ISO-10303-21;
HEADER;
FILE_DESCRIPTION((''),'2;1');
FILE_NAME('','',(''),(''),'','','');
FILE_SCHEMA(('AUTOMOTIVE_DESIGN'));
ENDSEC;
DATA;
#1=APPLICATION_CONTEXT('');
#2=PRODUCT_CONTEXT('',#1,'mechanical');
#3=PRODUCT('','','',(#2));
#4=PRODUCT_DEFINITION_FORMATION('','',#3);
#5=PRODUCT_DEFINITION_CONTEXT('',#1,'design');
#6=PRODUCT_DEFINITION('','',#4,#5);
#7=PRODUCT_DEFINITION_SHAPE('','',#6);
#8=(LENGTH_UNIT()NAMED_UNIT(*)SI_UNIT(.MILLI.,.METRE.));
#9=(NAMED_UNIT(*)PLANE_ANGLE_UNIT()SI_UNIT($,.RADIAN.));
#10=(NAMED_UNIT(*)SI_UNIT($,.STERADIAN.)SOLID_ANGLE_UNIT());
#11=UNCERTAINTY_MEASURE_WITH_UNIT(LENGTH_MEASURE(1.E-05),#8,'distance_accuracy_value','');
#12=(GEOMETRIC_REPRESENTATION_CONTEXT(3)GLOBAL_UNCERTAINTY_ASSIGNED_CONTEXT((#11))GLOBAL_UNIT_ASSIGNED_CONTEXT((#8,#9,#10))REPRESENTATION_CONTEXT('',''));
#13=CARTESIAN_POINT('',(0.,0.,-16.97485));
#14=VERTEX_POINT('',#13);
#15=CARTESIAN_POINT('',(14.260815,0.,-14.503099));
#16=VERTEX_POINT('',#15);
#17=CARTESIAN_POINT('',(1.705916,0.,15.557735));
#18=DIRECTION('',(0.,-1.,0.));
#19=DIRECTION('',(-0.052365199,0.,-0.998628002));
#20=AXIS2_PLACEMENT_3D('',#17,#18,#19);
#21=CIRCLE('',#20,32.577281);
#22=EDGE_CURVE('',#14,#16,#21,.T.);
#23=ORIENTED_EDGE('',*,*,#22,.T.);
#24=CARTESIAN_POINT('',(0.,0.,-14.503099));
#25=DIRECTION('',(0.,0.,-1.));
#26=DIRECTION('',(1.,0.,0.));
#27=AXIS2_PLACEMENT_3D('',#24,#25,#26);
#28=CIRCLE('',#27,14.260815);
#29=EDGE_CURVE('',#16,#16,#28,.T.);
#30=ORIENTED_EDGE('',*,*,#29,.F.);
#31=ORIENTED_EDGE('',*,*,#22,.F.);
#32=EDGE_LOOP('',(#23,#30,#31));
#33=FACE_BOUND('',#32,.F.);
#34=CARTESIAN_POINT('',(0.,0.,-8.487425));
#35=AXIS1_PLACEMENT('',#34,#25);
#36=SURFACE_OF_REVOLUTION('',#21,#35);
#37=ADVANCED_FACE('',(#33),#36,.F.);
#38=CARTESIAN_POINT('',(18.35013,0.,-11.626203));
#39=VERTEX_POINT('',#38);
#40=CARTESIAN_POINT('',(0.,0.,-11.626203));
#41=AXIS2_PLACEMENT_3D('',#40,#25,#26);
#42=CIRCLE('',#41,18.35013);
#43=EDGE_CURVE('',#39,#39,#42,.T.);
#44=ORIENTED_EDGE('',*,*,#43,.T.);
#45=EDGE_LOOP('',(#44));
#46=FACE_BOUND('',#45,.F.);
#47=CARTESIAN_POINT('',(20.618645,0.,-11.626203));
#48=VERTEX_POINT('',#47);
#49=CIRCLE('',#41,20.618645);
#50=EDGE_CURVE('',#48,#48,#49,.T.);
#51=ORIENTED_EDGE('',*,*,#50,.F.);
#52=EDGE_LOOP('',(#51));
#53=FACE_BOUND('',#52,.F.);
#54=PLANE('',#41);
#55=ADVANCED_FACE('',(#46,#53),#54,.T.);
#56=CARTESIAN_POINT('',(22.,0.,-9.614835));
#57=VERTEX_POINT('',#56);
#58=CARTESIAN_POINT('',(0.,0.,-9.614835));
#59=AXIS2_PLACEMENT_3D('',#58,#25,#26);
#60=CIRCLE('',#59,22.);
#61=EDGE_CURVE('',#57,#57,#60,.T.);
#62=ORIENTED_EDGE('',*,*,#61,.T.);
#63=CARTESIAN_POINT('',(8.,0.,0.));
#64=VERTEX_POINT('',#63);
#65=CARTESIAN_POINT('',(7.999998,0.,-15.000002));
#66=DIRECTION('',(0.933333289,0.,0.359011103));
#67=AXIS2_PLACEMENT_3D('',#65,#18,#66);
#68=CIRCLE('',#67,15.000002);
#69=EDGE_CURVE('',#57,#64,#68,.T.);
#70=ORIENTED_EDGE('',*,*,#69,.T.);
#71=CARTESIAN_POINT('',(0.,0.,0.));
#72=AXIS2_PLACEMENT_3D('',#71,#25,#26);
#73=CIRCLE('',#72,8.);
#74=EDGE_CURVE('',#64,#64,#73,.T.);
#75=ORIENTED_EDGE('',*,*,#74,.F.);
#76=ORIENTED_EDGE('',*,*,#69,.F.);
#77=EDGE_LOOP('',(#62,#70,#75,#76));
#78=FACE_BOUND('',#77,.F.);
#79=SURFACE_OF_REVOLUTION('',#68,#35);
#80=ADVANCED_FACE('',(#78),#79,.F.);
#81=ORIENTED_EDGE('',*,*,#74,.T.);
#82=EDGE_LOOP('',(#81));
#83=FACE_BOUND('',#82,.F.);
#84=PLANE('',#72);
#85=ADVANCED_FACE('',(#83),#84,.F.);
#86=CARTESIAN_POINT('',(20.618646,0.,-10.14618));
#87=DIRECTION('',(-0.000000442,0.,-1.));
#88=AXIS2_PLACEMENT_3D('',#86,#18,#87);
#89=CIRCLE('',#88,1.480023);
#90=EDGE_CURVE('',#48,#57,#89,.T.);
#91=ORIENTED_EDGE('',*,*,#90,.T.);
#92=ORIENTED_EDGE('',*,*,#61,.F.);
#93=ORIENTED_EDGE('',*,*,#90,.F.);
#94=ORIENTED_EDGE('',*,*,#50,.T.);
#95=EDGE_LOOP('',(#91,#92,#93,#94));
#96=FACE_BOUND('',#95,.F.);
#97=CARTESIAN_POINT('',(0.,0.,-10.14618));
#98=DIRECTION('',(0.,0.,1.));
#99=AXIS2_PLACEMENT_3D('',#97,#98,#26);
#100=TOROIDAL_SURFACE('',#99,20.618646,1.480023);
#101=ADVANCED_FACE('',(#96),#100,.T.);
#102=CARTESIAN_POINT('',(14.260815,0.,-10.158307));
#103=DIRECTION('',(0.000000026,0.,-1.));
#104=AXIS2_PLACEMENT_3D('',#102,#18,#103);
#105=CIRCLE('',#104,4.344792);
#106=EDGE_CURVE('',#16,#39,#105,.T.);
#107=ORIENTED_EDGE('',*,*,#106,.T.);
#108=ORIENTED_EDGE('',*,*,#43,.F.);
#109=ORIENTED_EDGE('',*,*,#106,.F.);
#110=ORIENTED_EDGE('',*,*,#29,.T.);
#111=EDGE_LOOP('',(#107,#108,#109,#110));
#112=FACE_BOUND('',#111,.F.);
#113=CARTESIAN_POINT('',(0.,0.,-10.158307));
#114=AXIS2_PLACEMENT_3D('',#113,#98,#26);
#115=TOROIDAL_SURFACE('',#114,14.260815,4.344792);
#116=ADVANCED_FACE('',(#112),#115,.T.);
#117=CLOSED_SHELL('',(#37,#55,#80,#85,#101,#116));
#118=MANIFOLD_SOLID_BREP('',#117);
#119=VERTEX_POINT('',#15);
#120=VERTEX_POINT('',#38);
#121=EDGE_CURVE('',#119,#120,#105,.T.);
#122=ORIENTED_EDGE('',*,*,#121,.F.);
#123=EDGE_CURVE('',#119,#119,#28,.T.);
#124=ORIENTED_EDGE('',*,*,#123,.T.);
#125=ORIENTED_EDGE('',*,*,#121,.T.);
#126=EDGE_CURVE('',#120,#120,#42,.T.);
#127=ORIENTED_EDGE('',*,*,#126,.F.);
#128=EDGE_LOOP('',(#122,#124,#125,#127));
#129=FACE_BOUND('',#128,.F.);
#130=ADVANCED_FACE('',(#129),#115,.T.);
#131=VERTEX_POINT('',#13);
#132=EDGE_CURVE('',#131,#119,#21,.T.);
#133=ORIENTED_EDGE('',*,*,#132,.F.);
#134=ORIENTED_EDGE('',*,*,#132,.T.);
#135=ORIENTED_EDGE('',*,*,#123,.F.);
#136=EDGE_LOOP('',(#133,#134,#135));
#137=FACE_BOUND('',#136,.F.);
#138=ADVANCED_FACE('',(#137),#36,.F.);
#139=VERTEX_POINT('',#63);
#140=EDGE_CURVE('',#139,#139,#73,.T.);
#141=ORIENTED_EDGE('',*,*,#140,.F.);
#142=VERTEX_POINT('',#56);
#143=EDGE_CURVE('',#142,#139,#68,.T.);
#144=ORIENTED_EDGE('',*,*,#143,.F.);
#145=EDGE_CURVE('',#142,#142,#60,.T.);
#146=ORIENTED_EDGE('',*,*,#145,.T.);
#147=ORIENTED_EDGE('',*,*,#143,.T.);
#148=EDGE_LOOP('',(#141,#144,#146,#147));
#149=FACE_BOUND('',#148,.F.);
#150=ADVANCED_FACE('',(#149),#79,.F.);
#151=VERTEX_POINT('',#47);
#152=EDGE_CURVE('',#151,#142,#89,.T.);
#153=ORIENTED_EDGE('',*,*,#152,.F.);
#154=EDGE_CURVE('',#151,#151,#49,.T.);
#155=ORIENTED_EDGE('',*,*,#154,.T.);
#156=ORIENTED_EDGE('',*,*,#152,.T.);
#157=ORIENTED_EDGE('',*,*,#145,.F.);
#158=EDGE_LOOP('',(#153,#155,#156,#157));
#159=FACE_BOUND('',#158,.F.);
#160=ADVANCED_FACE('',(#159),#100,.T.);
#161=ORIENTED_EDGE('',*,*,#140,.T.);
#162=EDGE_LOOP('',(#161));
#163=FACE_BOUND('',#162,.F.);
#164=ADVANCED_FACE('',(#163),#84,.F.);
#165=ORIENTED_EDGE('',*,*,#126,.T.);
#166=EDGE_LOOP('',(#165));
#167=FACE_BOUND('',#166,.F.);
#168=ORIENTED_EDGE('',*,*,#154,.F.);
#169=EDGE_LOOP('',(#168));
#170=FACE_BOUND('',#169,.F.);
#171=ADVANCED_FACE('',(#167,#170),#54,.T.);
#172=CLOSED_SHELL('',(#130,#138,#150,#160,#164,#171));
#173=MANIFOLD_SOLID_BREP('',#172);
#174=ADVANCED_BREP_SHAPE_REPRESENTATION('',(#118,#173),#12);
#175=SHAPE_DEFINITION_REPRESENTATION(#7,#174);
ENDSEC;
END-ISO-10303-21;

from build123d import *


with BuildPart() as f1:
    # F0 (on Front) → F1 (revolve)
    with BuildSketch(Plane.XZ):
        with BuildLine():
            Line((8, 0), (0, 0))
            Line((0, 0), (0, -11.626203))
            Line((0, -11.626203), (18.35013, -11.626203))
            Line((18.35013, -11.626203), (20.618645, -11.626203))
            ThreePointArc((20.618645, -11.626203), (21.83866, -10.984054), (22, -9.614835))
            ThreePointArc((22, -9.614835), (16.491835, -2.635182), (8, 0))
        make_face()
        with BuildLine():
            Line((18.35013, -11.626203), (0, -11.626203))
            Line((0, -11.626203), (0, -14.503099))
            Line((0, -14.503099), (14.260815, -14.503099))
            ThreePointArc((14.260815, -14.503099), (16.760766, -13.711821), (18.35013, -11.626203))
        make_face()
        with BuildLine():
            Line((14.260815, -14.503099), (0, -14.503099))
            Line((0, -14.503099), (0, -16.97485))
            ThreePointArc((0, -16.97485), (7.269413, -16.540968), (14.260815, -14.503099))
        make_face()
    revolve(axis=Axis((0, 0, -8.487425), (0, 0, -1)))


with BuildPart() as f2:
    # F0 (on Front) → F2 (revolve)
    with BuildSketch(Plane.XZ):
        with BuildLine():
            Line((8, 0), (0, 0))
            Line((0, 0), (0, -11.626203))
            Line((0, -11.626203), (18.35013, -11.626203))
            Line((18.35013, -11.626203), (20.618645, -11.626203))
            ThreePointArc((20.618645, -11.626203), (21.83866, -10.984054), (22, -9.614835))
            ThreePointArc((22, -9.614835), (16.491835, -2.635182), (8, 0))
        make_face()
        with BuildLine():
            Line((18.35013, -11.626203), (0, -11.626203))
            Line((0, -11.626203), (0, -14.503099))
            Line((0, -14.503099), (14.260815, -14.503099))
            ThreePointArc((14.260815, -14.503099), (16.760766, -13.711821), (18.35013, -11.626203))
        make_face()
        with BuildLine():
            Line((14.260815, -14.503099), (0, -14.503099))
            Line((0, -14.503099), (0, -16.97485))
            ThreePointArc((0, -16.97485), (7.269413, -16.540968), (14.260815, -14.503099))
        make_face()
    revolve(axis=Axis((0, 0, -8.487425), (0, 0, -1)))


solid = Compound([f1.part, f2.part])
